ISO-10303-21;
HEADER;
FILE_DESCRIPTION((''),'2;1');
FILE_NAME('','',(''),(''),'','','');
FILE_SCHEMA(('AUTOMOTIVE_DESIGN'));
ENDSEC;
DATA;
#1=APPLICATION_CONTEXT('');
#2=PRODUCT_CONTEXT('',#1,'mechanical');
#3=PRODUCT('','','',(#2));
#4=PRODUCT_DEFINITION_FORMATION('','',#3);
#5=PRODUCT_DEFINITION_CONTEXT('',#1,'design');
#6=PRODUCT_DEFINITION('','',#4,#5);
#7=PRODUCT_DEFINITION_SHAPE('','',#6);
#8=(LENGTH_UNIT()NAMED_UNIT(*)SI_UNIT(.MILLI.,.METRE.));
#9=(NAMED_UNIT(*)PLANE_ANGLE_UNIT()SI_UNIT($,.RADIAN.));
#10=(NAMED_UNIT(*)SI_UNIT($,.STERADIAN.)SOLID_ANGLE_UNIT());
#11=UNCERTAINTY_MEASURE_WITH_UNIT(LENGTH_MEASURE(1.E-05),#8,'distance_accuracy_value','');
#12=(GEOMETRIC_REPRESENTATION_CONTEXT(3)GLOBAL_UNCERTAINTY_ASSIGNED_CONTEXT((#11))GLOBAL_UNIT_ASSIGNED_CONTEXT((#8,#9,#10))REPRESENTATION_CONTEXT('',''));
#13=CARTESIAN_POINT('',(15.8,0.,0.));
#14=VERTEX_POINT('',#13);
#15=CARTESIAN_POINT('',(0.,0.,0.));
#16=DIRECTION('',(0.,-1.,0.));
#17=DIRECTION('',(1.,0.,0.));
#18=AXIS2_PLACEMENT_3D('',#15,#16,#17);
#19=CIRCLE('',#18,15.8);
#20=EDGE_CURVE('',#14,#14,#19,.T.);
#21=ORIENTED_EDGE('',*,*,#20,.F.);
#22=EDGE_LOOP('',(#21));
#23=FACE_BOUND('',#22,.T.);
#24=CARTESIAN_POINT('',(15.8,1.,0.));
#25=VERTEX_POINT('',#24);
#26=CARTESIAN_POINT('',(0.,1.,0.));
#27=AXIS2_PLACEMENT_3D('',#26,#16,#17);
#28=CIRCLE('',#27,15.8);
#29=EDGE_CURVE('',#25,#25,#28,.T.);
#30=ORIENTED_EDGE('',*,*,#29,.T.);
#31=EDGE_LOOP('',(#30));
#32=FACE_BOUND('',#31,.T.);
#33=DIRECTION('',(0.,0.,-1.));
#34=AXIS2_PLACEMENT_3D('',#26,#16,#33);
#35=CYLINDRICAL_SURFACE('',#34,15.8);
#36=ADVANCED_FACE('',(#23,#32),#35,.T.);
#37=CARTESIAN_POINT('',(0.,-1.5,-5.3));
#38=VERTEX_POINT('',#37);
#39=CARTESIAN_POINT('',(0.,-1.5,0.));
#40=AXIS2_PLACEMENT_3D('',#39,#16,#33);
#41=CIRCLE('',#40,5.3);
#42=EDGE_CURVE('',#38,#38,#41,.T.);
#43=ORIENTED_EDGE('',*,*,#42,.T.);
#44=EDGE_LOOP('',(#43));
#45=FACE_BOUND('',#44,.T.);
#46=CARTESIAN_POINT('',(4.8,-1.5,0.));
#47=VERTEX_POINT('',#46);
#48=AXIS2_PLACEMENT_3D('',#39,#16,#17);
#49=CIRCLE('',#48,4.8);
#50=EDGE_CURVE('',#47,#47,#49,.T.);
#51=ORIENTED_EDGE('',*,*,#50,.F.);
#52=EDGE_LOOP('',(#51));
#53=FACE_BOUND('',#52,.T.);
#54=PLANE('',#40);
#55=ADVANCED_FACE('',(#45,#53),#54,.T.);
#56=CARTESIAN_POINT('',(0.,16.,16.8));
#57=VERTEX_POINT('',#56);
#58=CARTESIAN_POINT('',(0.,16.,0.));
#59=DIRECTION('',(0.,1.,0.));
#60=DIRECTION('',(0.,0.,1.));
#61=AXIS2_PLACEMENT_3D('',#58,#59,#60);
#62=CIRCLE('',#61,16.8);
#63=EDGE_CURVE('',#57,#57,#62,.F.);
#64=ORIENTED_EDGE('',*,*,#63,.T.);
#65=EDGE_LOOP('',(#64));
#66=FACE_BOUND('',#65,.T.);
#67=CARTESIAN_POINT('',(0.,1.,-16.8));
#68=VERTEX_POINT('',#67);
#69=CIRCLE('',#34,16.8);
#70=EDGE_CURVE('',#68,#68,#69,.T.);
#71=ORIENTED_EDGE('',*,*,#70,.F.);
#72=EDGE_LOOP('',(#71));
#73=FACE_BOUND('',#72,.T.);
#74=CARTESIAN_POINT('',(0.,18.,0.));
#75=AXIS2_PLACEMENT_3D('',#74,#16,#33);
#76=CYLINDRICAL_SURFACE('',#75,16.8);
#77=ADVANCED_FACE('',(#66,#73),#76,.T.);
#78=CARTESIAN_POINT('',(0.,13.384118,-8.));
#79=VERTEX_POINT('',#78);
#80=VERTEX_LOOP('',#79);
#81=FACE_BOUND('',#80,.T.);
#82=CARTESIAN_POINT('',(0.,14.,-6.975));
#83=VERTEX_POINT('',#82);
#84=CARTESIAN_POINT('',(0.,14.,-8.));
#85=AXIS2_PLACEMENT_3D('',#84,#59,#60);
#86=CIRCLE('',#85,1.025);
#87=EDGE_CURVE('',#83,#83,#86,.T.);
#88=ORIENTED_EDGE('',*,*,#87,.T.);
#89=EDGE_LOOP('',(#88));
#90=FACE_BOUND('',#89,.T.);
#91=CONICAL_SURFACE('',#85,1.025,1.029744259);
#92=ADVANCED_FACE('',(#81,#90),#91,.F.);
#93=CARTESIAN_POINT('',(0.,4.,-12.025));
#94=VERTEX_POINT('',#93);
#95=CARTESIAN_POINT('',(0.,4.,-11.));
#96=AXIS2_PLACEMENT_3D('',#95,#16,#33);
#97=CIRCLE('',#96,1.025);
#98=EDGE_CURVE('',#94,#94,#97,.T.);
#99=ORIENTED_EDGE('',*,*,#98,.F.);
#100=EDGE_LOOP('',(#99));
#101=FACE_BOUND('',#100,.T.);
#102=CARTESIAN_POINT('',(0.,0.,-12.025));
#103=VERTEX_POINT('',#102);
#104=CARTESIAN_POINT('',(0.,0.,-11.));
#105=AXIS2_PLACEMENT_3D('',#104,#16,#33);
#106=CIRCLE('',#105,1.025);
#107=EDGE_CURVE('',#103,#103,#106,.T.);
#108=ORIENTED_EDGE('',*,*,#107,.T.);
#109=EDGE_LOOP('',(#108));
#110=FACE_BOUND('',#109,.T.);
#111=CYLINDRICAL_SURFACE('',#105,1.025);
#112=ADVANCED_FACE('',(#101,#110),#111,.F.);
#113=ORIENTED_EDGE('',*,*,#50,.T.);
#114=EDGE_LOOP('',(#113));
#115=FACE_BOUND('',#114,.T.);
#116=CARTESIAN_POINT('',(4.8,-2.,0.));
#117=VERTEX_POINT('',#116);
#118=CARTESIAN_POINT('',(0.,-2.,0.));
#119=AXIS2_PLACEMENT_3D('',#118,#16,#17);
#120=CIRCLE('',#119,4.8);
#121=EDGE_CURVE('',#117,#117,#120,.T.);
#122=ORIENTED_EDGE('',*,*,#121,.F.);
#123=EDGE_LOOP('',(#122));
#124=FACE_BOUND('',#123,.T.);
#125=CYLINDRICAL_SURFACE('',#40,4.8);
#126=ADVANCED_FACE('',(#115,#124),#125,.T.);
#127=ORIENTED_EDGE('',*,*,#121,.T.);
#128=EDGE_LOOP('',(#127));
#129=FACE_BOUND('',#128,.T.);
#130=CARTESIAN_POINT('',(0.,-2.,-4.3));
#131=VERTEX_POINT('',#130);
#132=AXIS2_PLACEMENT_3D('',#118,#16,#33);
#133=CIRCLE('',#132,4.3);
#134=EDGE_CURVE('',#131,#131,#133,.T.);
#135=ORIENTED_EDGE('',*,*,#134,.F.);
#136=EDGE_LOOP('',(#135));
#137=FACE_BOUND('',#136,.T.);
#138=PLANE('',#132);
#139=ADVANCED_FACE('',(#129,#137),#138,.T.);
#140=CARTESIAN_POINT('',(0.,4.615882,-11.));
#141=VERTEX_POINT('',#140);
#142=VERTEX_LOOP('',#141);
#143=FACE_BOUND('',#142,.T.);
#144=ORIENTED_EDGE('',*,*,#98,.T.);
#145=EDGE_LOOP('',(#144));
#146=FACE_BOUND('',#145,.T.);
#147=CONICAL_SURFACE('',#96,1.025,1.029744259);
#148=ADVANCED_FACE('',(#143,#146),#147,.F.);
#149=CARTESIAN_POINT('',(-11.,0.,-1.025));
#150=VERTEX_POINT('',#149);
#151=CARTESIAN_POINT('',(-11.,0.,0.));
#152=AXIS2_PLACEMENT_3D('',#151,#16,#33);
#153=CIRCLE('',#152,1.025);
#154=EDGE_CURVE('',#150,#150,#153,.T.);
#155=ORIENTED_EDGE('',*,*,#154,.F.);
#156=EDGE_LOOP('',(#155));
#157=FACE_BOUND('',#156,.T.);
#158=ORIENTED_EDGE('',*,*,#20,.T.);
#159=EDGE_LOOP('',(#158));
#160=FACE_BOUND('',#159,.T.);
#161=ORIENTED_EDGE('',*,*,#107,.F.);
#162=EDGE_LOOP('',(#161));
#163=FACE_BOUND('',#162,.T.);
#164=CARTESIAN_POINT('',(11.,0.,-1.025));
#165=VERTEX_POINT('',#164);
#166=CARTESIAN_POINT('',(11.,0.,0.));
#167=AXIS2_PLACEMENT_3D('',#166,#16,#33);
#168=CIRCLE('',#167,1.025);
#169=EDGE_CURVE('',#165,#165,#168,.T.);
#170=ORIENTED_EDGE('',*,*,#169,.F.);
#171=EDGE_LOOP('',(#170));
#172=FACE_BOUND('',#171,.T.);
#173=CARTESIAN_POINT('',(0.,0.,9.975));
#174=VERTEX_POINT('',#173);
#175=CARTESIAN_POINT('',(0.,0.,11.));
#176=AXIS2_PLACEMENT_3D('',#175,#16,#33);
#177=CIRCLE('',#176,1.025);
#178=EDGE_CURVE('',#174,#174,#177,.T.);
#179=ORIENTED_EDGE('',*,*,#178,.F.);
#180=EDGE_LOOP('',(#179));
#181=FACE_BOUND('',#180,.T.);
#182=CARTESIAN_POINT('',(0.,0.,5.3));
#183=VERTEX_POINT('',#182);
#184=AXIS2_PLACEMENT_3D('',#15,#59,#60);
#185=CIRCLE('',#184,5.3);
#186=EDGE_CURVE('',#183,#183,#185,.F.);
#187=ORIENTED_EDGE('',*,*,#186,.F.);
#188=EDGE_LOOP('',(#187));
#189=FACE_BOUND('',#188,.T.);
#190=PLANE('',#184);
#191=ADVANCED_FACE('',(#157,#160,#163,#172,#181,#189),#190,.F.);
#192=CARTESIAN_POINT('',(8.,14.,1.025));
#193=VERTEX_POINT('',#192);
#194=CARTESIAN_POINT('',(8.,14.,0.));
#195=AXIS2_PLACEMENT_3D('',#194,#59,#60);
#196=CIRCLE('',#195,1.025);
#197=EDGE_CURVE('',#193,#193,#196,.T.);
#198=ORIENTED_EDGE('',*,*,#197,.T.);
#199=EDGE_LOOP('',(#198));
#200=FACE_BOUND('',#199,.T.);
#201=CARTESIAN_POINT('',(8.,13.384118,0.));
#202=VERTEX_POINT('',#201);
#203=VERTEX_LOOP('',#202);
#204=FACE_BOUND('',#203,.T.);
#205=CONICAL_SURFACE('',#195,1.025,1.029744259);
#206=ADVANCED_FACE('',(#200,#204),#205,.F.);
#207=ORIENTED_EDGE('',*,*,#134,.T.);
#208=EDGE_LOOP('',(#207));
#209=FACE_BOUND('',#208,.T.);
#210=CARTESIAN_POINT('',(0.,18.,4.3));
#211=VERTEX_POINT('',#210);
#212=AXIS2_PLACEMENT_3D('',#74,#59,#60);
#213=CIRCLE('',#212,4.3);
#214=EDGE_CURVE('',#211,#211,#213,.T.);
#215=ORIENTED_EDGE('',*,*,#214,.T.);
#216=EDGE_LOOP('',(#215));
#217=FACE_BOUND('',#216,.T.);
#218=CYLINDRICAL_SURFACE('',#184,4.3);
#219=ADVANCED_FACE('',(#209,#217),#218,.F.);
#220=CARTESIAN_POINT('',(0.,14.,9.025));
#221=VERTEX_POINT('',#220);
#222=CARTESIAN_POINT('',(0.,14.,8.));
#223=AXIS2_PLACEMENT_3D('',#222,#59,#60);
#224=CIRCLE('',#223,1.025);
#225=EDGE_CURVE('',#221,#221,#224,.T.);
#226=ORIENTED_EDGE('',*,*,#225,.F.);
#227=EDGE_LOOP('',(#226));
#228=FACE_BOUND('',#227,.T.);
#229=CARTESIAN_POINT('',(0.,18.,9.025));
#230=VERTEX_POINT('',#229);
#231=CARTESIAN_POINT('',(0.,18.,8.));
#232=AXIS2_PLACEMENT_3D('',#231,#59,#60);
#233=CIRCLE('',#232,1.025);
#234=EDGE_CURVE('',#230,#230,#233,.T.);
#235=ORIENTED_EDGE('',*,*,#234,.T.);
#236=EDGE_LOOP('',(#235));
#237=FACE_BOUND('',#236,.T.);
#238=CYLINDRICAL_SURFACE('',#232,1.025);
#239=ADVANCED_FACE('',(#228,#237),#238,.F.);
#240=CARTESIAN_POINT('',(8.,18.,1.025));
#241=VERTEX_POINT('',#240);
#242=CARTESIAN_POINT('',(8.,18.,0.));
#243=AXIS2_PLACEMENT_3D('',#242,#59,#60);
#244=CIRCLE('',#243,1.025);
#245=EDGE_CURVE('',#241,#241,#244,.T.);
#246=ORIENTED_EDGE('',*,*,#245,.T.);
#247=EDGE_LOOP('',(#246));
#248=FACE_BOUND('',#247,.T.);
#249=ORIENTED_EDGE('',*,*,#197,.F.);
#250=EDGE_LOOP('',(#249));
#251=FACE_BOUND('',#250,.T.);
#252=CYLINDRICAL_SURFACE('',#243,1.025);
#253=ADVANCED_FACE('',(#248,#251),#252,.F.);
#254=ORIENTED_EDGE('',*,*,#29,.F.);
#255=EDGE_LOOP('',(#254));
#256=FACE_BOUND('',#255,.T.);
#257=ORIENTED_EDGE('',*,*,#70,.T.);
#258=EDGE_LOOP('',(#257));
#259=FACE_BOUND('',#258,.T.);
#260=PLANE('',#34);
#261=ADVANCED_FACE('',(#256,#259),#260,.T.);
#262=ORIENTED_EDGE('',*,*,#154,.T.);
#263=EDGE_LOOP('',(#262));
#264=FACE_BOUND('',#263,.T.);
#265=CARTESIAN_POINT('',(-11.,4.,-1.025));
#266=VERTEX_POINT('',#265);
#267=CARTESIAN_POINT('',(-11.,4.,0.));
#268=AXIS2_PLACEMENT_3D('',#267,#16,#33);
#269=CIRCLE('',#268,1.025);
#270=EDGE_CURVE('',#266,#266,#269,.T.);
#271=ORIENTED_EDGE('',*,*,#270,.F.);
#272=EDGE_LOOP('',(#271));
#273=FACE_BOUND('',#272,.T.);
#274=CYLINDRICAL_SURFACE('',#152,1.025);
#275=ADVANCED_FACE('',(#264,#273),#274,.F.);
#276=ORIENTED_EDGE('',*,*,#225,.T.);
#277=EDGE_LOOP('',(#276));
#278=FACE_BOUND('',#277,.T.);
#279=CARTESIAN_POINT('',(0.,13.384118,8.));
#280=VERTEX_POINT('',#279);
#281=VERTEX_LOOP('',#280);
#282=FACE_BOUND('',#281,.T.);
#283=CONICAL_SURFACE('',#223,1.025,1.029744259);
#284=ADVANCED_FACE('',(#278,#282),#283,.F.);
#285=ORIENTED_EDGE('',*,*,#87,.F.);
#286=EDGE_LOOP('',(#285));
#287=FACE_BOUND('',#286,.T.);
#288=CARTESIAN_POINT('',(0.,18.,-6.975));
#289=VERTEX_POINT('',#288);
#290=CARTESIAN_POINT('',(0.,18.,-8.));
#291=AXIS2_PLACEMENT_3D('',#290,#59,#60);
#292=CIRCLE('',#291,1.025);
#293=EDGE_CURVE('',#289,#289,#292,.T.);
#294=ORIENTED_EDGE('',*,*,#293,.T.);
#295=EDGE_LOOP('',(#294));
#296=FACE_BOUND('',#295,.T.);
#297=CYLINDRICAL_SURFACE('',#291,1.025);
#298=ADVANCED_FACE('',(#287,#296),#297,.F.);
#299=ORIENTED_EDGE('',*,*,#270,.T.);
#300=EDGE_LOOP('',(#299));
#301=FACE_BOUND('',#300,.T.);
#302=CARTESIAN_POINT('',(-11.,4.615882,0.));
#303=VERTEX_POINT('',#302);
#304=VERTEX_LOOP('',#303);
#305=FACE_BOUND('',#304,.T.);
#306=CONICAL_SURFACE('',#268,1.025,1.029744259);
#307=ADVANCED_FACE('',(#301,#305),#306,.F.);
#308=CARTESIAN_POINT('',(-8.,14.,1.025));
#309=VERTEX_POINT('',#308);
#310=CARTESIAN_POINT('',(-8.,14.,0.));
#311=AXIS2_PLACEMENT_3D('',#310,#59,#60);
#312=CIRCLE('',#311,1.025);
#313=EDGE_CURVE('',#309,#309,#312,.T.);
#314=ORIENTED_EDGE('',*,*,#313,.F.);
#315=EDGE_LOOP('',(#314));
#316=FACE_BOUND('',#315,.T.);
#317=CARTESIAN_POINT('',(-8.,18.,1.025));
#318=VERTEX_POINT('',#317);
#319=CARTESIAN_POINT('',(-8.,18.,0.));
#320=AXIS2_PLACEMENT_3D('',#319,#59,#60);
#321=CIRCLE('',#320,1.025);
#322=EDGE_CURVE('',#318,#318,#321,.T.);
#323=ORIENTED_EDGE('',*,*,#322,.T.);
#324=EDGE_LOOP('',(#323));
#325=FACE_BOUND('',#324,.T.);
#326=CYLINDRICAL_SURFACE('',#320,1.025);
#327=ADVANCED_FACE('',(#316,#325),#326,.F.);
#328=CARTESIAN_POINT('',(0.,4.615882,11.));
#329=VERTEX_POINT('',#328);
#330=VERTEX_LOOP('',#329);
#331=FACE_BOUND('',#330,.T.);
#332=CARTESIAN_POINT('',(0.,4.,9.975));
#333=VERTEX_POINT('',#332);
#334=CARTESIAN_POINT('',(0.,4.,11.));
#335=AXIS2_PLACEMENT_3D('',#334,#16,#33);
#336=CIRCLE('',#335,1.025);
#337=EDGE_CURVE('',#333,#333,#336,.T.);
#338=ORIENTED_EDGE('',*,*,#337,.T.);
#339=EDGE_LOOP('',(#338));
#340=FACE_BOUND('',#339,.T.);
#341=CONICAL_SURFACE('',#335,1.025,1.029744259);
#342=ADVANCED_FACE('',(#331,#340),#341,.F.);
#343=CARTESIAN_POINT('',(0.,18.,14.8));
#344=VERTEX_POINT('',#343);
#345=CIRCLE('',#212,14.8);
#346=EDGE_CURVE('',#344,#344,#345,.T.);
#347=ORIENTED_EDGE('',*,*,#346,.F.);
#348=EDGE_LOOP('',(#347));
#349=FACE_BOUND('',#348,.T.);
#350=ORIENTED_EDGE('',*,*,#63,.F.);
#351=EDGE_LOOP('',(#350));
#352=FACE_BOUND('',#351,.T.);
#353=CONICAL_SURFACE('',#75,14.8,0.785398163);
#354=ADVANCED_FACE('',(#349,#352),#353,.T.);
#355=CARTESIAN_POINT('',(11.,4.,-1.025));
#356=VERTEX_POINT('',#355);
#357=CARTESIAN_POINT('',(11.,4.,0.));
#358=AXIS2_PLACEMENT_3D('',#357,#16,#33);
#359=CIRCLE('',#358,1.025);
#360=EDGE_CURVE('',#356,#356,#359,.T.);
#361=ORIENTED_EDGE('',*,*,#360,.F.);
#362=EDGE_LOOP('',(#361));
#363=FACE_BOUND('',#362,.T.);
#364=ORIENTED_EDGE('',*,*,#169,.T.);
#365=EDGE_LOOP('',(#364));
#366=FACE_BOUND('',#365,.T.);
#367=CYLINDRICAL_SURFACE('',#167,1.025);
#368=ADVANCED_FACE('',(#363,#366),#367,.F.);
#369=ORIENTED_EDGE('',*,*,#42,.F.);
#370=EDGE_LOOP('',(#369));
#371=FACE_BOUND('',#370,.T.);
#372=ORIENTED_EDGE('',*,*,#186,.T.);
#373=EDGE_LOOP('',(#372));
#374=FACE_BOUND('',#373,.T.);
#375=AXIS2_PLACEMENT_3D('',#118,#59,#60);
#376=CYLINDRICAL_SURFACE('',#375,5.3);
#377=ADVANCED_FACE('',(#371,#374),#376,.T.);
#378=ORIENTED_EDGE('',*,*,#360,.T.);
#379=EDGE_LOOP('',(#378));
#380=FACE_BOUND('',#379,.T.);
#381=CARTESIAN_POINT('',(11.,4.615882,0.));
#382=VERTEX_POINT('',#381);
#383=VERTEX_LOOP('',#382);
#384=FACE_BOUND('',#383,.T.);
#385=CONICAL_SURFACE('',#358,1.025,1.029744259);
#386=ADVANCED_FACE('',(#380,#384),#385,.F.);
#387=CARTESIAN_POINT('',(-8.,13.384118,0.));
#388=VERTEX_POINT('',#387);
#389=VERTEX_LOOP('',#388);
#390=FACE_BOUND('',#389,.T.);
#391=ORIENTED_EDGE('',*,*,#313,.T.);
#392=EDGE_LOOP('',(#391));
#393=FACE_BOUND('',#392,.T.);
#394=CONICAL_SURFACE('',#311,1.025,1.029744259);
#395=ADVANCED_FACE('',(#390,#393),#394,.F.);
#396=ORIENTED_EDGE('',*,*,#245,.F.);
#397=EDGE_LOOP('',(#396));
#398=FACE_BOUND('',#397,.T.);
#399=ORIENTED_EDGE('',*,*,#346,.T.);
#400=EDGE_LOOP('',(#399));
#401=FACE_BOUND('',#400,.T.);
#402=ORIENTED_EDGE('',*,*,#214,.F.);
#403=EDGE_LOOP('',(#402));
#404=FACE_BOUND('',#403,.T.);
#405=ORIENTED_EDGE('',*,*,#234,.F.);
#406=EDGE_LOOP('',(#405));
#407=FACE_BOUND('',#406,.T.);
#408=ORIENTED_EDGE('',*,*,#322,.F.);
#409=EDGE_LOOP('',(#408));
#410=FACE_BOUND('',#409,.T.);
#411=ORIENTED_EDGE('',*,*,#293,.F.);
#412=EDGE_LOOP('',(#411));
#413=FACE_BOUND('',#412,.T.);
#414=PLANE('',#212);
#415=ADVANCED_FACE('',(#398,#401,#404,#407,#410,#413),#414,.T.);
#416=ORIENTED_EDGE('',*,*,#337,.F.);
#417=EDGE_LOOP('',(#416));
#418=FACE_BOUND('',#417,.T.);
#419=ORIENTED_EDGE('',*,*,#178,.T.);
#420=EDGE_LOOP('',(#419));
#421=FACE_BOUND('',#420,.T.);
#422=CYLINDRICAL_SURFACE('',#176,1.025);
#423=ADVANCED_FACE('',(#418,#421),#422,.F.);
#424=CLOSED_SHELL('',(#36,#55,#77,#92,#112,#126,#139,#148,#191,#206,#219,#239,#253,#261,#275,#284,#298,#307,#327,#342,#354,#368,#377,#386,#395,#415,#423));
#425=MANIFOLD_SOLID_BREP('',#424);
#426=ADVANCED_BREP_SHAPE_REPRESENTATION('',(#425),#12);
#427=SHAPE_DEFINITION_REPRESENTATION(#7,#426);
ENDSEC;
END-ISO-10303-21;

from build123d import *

# Parameters (mm, degrees)
SKETCH_2_R               = 16.8
EXTRUDE_1_DEPTH          = 18
SKETCH_4_R               = 4.3
CUT_EXTRUDE_1_DEPTH      = 30.807381636
CHAMFER_1_SIZE           = 2
PATTERN_CIRCULAR_1_COUNT = 4
SKETCH_8_R               = 5.3
SKETCH_8_R_2             = 4.3
EXTRUDE_1_2_DEPTH        = 2
CUT_EXTRUDE_START        = -0.5
SKETCH_9_R               = 5.3
SKETCH_9_R_2             = 4.8
CUT_EXTRUDE_1_2_DEPTH    = 0.5
SKETCH_10_R              = 16.8
SKETCH_10_R_2            = 15.8
CUT_EXTRUDE_2_DEPTH      = 1
PATTERN_CIRCULAR_2_COUNT = 4


with BuildPart() as part:
    # 草图2 → Extrude 1 (new body)
    with BuildSketch(Plane(origin=(0, 0, 0), x_dir=(1, 0, 0), z_dir=(0, 1, 0))):
        Circle(SKETCH_2_R)
    extrude(amount=EXTRUDE_1_DEPTH)

    # 草图4 → Cut-Extrude 1 (cut, through all)
    with BuildSketch(Plane(origin=(0, 18, 0), x_dir=(1, 0, 0), z_dir=(0, 1, 0))):
        Circle(SKETCH_4_R)
    extrude(amount=-CUT_EXTRUDE_1_DEPTH, mode=Mode.SUBTRACT)

    # 倒角1
    chamfer_1_edges = [part.edges().sort_by_distance(p)[0] for p in [
        (-16.8, 18, 0),
    ]]
    chamfer(chamfer_1_edges, length=CHAMFER_1_SIZE)

    # 草图7 → M2.5 螺纹孔1 (revolve, cut)
    with BuildSketch(Plane(origin=(0, 18, -8), x_dir=(0, 0, 1), z_dir=(1, 0, 0))):
        Polygon((0, 0), (0, 4.615882135), (1.025, 4), (1.025, 0), align=None)
    hole_wizard_m2_5_1 = revolve(axis=Axis((0, 24.35, -8), (0, -1, 0)), mode=Mode.SUBTRACT)

    # 阵列(圆周)1: M2.5 螺纹孔1 ×4 about axis
    pattern_circular_1_axis = Axis((0, 0, 0), (0, 1, 0))
    for i in range(1, PATTERN_CIRCULAR_1_COUNT):
        add(hole_wizard_m2_5_1.rotate(pattern_circular_1_axis, i * 360 / PATTERN_CIRCULAR_1_COUNT), mode=Mode.SUBTRACT)

    # 草图8 → Extrude 1 2 (add)
    with BuildSketch(Plane.XZ):
        Circle(SKETCH_8_R)
        Circle(SKETCH_8_R_2, mode=Mode.SUBTRACT)
    extrude(amount=EXTRUDE_1_2_DEPTH)

    # 草图9 → Cut-Extrude 1 2 (cut)
    with BuildSketch(Plane.XZ.offset(2).offset(CUT_EXTRUDE_START)):
        Circle(SKETCH_9_R)
        Circle(SKETCH_9_R_2, mode=Mode.SUBTRACT)
    extrude(amount=CUT_EXTRUDE_1_2_DEPTH, mode=Mode.SUBTRACT)

    # 草图10 → 切除-拉伸-薄壁2 (cut)
    with BuildSketch(Plane.XZ):
        Circle(SKETCH_10_R)
        Circle(SKETCH_10_R_2, mode=Mode.SUBTRACT)
    extrude(amount=-CUT_EXTRUDE_2_DEPTH, mode=Mode.SUBTRACT)

    # 草图12 → M2.5 螺纹孔2 (revolve, cut)
    with BuildSketch(Plane(origin=(11, 0, 0), x_dir=(0, 0, -1), z_dir=(1, 0, 0))):
        Polygon((0, 0), (0, 4.615882135), (1.025, 4), (1.025, 0), align=None)
    hole_wizard_m2_5_2 = revolve(axis=Axis((11, -6.35, 0), (0, 1, 0)), mode=Mode.SUBTRACT)

    # 阵列(圆周)2: M2.5 螺纹孔2 ×4 about axis
    pattern_circular_2_axis = Axis((0, 0, 0), (0, 1, 0))
    for i in range(1, PATTERN_CIRCULAR_2_COUNT):
        add(hole_wizard_m2_5_2.rotate(pattern_circular_2_axis, i * 360 / PATTERN_CIRCULAR_2_COUNT), mode=Mode.SUBTRACT)


solid = part.part
